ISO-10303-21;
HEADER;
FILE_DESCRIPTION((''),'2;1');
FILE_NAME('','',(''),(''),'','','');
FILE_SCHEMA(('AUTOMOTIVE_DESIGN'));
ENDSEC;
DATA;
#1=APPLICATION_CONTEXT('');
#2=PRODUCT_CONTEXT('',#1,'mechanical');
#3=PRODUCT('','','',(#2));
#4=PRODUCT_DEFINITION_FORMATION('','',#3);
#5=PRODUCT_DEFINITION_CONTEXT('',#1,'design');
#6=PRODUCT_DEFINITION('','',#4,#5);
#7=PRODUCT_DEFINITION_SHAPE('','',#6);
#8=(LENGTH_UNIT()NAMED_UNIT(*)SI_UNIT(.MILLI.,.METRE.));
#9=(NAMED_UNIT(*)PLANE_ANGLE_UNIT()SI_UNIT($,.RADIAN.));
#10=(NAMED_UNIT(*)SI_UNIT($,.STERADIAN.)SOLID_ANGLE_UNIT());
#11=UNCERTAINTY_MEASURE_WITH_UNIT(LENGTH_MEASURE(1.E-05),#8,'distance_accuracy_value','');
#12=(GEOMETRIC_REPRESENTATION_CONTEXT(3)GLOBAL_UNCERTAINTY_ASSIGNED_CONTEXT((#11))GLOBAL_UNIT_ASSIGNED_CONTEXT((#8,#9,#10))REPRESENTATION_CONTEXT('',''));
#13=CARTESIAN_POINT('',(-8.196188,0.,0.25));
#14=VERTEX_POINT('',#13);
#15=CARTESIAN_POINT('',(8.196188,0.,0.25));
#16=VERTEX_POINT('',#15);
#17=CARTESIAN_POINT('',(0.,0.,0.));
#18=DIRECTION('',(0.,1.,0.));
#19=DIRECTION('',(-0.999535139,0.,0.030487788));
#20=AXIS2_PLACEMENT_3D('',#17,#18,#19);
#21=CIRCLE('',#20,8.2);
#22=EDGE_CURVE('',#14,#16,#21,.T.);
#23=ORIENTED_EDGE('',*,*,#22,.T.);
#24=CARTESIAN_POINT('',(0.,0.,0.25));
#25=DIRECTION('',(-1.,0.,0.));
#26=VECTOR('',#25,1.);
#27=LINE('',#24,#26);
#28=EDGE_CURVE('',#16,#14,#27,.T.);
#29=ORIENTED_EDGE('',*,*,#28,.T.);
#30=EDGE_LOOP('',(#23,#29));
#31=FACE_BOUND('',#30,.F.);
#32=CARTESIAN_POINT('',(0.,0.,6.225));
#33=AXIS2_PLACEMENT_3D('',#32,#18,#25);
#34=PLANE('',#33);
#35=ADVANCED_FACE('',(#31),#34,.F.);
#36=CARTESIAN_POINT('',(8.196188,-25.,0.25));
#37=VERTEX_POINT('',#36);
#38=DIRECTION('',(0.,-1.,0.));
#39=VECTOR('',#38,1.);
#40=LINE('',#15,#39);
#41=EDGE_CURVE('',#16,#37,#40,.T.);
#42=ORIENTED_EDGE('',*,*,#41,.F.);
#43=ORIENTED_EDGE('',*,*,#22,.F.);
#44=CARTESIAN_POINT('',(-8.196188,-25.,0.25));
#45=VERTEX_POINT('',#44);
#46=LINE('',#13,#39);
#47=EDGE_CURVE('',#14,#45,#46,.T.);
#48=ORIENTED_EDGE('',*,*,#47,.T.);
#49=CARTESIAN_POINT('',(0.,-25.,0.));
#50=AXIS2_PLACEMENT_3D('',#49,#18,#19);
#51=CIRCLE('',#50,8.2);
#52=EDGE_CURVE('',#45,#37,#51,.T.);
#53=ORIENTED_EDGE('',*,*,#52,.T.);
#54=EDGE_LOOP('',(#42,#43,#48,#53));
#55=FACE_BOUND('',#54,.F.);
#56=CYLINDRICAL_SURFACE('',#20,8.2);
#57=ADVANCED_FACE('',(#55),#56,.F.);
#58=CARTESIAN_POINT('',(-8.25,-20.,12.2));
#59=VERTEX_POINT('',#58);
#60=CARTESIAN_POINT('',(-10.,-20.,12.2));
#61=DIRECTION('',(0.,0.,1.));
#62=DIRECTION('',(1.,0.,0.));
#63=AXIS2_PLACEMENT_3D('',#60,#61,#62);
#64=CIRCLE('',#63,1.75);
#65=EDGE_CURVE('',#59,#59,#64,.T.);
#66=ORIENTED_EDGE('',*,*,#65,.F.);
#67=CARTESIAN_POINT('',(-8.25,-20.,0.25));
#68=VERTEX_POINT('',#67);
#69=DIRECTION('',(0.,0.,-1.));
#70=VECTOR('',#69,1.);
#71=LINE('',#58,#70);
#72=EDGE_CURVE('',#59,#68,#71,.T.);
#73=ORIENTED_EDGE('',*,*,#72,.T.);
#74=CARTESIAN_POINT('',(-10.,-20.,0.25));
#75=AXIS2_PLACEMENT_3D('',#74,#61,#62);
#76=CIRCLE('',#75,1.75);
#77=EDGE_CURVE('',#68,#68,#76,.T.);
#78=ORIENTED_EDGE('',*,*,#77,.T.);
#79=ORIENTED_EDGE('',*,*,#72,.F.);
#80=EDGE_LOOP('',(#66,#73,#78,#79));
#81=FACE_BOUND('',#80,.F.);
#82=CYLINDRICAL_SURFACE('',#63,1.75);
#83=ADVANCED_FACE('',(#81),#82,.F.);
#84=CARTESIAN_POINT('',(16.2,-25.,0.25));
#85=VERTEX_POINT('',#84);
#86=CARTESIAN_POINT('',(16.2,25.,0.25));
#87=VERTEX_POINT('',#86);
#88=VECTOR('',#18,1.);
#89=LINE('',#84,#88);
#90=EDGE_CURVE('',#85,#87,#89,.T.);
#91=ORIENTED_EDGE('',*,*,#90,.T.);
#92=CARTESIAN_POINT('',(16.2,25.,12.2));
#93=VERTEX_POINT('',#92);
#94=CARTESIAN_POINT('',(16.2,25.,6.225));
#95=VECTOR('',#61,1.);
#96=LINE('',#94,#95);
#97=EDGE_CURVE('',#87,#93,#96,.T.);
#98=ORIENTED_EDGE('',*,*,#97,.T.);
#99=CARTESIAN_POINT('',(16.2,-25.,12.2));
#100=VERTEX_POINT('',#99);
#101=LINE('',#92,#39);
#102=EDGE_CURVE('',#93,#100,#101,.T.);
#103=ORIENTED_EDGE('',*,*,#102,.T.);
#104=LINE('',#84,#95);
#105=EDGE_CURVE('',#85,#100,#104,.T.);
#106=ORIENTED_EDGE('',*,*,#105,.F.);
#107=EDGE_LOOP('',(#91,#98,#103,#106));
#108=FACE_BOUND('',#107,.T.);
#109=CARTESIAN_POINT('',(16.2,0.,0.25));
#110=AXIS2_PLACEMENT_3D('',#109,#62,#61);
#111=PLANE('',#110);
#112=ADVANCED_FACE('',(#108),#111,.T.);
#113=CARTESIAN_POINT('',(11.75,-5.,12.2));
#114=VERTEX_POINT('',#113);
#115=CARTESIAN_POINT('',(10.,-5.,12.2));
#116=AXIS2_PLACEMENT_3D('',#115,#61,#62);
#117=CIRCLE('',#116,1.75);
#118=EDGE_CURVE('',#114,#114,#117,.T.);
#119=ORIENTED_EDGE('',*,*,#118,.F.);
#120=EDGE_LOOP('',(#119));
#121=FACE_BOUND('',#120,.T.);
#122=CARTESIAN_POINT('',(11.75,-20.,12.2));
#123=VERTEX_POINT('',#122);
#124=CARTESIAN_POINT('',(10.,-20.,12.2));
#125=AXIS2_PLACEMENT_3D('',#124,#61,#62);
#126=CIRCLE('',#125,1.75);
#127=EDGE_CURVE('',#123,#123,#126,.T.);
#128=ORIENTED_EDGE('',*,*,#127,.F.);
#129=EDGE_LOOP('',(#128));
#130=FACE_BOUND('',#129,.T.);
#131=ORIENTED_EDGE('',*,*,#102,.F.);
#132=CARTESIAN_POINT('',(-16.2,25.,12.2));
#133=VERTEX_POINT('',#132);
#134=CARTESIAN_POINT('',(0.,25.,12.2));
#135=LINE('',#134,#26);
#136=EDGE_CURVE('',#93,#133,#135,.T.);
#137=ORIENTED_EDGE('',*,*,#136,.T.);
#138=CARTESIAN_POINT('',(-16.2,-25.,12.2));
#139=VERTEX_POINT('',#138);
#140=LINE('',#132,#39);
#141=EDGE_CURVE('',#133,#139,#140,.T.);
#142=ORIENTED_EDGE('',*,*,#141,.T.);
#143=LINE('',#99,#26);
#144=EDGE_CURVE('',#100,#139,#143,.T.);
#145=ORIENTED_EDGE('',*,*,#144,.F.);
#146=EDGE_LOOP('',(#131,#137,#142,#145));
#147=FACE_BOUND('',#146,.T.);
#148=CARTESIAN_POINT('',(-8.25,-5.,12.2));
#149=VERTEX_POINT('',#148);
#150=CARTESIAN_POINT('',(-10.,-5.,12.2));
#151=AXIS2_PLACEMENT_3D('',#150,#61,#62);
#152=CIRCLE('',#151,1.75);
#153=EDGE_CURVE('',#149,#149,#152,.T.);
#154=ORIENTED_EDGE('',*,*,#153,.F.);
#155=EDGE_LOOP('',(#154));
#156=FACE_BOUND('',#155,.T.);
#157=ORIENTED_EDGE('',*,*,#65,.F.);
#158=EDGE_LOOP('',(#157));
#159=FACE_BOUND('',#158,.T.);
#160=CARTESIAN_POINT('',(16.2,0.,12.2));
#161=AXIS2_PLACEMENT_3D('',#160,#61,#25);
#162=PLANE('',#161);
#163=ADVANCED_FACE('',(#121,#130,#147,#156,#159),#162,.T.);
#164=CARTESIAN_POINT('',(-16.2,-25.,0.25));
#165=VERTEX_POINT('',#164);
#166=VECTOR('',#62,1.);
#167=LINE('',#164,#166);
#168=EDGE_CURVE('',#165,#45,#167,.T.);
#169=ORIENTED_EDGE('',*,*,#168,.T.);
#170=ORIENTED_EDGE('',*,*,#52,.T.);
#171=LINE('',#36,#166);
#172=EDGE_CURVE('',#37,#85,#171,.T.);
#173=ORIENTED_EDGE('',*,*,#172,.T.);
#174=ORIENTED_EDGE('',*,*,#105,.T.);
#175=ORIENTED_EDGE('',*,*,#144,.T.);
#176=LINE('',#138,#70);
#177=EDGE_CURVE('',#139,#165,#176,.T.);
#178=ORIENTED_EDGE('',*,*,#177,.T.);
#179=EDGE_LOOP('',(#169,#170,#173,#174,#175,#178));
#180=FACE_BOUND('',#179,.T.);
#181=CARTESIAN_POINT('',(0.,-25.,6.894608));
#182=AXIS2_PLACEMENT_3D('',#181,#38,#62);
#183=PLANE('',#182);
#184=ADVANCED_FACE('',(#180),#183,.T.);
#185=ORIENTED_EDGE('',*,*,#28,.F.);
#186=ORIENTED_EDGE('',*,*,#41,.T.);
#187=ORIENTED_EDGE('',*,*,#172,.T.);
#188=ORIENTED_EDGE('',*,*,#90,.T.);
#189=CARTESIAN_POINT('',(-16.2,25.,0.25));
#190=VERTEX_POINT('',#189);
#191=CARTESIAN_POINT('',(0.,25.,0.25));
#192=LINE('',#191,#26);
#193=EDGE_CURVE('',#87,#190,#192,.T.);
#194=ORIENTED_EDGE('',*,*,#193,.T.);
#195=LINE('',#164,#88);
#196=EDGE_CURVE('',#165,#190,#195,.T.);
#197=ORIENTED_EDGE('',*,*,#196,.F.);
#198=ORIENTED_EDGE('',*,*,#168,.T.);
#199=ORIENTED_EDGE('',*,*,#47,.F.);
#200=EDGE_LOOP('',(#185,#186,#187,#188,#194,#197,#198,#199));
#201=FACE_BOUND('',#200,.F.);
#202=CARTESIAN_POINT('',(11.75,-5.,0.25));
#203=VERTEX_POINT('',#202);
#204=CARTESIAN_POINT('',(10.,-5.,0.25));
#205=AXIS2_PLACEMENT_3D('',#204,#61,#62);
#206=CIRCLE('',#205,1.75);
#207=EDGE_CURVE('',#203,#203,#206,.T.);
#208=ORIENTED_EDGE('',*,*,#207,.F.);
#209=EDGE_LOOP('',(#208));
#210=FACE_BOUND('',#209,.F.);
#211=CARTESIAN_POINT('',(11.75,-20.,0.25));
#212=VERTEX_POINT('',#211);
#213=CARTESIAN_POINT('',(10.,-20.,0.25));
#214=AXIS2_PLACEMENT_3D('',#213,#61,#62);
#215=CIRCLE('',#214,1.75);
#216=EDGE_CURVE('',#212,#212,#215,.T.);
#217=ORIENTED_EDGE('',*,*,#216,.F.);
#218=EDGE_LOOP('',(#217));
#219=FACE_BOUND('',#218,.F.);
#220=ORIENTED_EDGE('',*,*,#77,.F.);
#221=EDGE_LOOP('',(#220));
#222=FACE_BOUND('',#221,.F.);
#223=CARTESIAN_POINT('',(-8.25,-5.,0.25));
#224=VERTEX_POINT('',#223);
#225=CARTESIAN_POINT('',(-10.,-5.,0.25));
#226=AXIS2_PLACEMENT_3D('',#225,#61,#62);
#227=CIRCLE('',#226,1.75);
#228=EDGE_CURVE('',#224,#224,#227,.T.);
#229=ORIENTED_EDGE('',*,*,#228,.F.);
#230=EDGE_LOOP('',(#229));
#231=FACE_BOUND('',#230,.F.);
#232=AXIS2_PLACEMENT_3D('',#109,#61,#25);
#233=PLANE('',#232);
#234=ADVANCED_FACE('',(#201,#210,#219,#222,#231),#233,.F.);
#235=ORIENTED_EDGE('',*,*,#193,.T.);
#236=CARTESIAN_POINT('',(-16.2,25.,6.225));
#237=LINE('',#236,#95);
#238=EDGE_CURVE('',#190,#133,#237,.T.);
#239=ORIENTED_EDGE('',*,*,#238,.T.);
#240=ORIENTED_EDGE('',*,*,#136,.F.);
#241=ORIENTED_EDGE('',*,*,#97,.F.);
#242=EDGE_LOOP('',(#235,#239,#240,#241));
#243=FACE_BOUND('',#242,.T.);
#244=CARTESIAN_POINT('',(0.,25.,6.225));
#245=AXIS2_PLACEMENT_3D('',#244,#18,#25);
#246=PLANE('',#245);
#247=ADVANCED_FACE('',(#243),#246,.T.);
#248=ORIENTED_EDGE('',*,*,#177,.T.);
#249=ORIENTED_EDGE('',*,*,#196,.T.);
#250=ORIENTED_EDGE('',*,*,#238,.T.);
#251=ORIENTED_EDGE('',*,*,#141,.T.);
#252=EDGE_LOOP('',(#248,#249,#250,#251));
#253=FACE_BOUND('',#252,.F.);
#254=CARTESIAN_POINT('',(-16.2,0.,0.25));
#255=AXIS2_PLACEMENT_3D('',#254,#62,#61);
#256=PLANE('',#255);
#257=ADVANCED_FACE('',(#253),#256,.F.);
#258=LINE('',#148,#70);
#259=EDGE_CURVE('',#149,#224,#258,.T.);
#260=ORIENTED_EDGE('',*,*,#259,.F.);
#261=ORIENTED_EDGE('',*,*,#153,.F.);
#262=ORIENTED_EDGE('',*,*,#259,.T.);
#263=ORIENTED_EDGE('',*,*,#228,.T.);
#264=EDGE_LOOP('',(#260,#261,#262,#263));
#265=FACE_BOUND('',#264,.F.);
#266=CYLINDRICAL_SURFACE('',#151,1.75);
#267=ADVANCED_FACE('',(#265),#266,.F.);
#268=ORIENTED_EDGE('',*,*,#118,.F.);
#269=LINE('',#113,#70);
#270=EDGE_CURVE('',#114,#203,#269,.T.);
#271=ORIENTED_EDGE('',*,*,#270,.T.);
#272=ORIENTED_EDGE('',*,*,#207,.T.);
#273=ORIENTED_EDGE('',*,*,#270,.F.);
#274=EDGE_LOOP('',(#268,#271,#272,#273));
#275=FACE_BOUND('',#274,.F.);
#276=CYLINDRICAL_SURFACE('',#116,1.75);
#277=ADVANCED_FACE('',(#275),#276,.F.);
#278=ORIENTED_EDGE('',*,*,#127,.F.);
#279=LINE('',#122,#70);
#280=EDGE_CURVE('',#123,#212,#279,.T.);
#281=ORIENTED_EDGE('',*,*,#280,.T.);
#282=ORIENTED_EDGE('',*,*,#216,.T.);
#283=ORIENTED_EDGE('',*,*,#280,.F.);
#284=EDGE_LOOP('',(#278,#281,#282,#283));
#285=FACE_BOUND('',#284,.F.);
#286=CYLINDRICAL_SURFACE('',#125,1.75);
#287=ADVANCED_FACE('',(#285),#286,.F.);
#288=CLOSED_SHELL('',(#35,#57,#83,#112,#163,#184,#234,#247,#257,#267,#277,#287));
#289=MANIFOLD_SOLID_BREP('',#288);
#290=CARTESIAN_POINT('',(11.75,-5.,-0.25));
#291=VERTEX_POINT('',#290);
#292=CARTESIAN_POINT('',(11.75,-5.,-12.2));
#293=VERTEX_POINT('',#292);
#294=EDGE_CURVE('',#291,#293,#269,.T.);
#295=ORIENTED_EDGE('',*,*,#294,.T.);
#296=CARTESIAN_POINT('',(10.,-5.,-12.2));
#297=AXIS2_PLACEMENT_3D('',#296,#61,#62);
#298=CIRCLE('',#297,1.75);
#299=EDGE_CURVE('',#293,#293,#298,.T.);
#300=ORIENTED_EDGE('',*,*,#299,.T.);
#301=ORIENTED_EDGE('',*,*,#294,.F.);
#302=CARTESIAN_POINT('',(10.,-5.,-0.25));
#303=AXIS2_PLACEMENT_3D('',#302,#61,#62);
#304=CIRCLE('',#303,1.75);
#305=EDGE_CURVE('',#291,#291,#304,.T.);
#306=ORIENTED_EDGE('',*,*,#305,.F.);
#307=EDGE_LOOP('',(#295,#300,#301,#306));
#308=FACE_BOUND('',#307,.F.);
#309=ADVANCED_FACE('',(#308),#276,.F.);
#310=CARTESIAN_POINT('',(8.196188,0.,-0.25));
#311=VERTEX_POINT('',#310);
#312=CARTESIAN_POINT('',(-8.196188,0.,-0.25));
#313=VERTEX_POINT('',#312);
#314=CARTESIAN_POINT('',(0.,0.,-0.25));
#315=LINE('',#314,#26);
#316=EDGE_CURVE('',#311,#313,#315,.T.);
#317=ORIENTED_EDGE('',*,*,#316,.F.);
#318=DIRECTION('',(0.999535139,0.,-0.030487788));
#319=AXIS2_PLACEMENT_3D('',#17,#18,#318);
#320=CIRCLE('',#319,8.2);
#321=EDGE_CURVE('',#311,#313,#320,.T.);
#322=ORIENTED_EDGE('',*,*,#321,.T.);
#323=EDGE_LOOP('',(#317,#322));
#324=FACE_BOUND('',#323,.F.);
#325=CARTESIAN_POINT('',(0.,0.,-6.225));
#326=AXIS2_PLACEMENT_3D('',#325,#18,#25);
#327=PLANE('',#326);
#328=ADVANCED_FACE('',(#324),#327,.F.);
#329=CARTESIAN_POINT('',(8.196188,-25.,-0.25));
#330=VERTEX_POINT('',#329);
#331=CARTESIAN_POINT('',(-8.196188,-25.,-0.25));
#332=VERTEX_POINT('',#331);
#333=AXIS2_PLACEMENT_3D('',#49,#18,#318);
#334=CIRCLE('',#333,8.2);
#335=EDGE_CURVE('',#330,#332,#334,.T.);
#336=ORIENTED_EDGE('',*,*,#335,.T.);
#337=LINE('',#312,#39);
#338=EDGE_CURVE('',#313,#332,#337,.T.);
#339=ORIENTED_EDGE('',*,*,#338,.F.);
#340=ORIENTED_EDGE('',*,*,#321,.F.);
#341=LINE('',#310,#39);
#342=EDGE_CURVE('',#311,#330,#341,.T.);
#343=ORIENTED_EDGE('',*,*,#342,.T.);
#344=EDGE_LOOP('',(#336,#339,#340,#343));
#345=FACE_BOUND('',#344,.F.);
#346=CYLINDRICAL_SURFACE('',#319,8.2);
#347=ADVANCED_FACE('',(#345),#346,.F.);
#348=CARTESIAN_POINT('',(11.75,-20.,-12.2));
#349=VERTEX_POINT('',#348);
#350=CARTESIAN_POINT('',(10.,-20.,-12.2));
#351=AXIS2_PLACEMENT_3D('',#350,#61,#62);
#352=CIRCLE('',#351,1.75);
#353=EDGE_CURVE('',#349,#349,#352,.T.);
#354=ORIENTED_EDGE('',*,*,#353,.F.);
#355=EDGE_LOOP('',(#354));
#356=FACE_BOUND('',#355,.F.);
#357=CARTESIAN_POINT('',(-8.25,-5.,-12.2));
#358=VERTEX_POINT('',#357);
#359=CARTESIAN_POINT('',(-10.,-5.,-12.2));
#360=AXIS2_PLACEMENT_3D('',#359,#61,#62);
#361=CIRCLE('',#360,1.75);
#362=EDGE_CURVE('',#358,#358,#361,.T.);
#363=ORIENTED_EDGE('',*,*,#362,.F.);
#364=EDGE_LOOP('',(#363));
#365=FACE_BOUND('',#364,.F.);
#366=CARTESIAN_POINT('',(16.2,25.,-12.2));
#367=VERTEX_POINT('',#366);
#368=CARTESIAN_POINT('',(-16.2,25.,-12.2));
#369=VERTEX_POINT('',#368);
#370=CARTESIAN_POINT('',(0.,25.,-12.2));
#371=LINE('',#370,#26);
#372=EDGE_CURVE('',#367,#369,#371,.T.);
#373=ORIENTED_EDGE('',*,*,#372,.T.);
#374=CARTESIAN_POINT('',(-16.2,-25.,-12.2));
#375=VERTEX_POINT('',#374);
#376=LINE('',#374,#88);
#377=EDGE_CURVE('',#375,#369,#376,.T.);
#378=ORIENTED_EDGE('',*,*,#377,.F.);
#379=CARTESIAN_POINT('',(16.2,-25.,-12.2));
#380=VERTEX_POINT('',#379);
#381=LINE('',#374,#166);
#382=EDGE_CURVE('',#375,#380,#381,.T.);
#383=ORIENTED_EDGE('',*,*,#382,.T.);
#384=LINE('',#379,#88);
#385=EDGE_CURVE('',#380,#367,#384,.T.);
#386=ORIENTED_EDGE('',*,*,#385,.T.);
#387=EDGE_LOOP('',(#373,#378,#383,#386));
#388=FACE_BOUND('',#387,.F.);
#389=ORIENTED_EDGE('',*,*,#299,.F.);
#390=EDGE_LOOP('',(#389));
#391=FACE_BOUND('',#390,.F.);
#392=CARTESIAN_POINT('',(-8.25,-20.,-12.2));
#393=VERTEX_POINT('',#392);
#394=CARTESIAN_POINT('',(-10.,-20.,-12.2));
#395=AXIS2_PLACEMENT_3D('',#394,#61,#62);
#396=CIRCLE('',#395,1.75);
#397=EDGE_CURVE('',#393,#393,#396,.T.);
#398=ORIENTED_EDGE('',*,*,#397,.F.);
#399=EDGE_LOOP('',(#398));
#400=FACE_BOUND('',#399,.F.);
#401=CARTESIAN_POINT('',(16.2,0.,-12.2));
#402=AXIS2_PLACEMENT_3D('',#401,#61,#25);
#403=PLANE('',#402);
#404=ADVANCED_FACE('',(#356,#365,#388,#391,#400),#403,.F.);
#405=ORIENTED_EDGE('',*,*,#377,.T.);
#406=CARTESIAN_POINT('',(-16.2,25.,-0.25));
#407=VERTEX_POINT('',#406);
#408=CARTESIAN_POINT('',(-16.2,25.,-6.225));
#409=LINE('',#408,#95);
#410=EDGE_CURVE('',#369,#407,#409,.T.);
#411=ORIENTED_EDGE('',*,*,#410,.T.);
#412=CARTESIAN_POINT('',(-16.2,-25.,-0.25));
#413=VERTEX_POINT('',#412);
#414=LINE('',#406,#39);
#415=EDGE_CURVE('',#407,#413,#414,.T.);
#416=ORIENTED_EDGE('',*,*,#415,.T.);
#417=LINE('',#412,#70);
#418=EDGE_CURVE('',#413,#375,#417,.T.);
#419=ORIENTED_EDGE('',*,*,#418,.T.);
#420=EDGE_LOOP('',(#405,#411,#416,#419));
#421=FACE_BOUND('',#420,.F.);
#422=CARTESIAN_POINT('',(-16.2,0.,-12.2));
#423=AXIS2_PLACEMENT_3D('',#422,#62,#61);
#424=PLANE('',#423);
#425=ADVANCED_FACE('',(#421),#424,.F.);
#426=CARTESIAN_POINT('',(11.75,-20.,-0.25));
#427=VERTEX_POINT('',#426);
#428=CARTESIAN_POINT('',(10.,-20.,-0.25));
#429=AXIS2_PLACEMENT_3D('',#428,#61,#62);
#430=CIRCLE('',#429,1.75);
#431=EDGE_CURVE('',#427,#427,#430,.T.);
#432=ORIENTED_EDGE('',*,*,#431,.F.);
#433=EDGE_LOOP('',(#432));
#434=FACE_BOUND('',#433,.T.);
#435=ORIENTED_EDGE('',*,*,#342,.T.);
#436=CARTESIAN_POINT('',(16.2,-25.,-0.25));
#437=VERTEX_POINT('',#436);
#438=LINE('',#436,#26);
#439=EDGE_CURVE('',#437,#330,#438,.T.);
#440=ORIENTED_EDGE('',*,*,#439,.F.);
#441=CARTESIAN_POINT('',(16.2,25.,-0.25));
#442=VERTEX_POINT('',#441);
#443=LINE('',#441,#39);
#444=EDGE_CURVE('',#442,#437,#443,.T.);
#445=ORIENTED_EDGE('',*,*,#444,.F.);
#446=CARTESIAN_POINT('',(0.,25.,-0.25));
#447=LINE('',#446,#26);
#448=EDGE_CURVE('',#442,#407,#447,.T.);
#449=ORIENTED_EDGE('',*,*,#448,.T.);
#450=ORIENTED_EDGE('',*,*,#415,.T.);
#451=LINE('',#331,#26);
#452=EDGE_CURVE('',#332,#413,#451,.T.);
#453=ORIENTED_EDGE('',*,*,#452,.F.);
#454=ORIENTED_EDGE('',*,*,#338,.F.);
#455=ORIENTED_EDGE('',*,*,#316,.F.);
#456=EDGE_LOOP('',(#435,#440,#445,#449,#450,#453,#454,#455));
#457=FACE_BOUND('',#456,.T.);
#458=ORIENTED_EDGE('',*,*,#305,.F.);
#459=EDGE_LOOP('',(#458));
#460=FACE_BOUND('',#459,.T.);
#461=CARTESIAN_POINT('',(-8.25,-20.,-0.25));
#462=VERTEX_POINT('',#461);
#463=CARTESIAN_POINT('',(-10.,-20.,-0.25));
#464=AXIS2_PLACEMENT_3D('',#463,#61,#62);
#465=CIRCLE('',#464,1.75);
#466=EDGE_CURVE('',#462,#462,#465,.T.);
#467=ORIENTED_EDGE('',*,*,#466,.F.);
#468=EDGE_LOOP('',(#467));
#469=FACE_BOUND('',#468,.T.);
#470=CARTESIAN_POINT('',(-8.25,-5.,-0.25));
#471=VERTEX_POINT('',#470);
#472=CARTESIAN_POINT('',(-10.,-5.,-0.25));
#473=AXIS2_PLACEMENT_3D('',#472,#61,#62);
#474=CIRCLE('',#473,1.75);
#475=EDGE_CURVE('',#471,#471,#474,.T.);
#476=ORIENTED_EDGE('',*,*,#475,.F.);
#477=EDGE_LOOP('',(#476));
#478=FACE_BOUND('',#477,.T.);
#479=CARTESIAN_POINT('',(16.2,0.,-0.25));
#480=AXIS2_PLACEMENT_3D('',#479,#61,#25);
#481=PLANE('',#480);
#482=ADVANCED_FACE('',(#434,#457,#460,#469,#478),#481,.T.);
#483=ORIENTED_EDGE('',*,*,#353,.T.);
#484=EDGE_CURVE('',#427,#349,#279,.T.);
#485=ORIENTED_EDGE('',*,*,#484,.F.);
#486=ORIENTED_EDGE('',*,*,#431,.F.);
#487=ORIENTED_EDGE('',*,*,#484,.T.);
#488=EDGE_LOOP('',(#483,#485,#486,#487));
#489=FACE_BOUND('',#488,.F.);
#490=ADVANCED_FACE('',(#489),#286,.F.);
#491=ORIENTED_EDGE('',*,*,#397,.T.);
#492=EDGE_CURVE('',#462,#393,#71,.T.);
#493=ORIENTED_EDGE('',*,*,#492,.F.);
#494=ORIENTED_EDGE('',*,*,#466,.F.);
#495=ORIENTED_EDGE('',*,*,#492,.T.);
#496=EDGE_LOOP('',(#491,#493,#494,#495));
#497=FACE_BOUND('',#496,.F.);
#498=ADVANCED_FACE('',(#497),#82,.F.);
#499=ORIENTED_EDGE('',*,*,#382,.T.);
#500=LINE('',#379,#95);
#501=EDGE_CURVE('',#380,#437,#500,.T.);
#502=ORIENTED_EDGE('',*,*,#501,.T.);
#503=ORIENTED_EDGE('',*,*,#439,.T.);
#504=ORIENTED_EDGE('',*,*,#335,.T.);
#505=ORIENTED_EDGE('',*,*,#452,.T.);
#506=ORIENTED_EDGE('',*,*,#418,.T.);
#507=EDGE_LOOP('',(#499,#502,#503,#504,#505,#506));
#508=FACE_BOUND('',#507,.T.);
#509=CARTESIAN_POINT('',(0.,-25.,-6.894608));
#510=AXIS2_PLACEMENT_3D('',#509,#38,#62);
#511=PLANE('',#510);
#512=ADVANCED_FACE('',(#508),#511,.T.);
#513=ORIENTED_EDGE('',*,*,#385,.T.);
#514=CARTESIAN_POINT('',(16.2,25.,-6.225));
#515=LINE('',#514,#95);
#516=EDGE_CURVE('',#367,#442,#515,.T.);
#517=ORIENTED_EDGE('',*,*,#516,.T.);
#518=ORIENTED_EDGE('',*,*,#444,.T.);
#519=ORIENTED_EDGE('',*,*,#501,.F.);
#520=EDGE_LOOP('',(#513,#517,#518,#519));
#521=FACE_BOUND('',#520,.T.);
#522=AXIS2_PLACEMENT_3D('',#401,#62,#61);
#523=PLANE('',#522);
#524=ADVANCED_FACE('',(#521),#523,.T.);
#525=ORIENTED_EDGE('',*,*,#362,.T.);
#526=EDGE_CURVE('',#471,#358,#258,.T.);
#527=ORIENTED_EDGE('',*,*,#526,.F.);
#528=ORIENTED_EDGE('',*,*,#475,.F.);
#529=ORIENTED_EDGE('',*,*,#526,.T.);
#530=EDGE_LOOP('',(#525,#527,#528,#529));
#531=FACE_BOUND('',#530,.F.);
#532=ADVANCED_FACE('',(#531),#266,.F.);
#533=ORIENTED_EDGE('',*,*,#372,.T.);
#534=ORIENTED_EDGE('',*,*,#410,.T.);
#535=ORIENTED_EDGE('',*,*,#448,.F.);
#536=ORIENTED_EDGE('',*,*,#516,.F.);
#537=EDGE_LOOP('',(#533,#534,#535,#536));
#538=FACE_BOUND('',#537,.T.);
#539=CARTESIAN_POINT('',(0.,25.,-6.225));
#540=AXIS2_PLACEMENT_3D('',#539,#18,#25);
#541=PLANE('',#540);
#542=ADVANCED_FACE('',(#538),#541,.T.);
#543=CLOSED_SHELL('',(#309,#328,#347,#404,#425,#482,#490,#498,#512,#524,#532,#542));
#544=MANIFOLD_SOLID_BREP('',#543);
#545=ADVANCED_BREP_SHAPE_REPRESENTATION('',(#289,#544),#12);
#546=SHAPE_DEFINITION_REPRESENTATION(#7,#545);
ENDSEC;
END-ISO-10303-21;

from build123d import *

# Parameters (mm, degrees)
F1_DEPTH = 25
F2_W     = 32.4
F2_H     = 11.95
F3_DEPTH = 25
F4_W     = 32.4
F4_H     = 11.95
F5_DEPTH = 25
F6_R     = 1.75
F7_DEPTH = 24.4


with BuildPart() as f1:
    # F0 (on Front) → F1 (new body)
    with BuildSketch(Plane.XZ):
        with BuildLine():
            ThreePointArc((8.196188, -0.25), (0, -8.2), (-8.196188, -0.25))
            Line((-8.196188, -0.25), (-16.2, -0.25))
            Line((-16.2, -0.25), (-16.2, -12.2))
            Line((-16.2, -12.2), (16.2, -12.2))
            Line((16.2, -12.2), (16.2, -0.25))
            Line((16.2, -0.25), (8.196188, -0.25))
        make_face()
        with BuildLine():
            Line((16.2, 0.25), (16.2, 12.2))
            Line((16.2, 12.2), (-16.2, 12.2))
            Line((-16.2, 12.2), (-16.2, 0.25))
            Line((-16.2, 0.25), (-8.196188, 0.25))
            ThreePointArc((-8.196188, 0.25), (0, 8.2), (8.196188, 0.25))
            Line((8.196188, 0.25), (16.2, 0.25))
        make_face()
    extrude(amount=F1_DEPTH)

    # F2 (on face) → F3 (join)
    with BuildSketch(Plane(origin=(0, 0, 0), x_dir=(-1, 0, 0), z_dir=(0, 1, 0))):
        with Locations((0, 6.225)):
            Rectangle(F2_W, F2_H)
    extrude(amount=F3_DEPTH)

    # F4 (on face) → F5 (join)
    with BuildSketch(Plane(origin=(0, 0, 0), x_dir=(-1, 0, 0), z_dir=(0, 1, 0))):
        with Locations((0, -6.225)):
            Rectangle(F4_W, F4_H)
    extrude(amount=F5_DEPTH)

    # F6 (on face) → F7 (cut, through all)
    with BuildSketch(Plane.XY.offset(12.2)):
        with Locations((10, -5)):
            Circle(F6_R)
        with Locations((-10, -5)):
            Circle(F6_R)
        with Locations((-10, -20)):
            Circle(F6_R)
        with Locations((10, -20)):
            Circle(F6_R)
    extrude(amount=-F7_DEPTH, mode=Mode.SUBTRACT)


solid = f1.part
